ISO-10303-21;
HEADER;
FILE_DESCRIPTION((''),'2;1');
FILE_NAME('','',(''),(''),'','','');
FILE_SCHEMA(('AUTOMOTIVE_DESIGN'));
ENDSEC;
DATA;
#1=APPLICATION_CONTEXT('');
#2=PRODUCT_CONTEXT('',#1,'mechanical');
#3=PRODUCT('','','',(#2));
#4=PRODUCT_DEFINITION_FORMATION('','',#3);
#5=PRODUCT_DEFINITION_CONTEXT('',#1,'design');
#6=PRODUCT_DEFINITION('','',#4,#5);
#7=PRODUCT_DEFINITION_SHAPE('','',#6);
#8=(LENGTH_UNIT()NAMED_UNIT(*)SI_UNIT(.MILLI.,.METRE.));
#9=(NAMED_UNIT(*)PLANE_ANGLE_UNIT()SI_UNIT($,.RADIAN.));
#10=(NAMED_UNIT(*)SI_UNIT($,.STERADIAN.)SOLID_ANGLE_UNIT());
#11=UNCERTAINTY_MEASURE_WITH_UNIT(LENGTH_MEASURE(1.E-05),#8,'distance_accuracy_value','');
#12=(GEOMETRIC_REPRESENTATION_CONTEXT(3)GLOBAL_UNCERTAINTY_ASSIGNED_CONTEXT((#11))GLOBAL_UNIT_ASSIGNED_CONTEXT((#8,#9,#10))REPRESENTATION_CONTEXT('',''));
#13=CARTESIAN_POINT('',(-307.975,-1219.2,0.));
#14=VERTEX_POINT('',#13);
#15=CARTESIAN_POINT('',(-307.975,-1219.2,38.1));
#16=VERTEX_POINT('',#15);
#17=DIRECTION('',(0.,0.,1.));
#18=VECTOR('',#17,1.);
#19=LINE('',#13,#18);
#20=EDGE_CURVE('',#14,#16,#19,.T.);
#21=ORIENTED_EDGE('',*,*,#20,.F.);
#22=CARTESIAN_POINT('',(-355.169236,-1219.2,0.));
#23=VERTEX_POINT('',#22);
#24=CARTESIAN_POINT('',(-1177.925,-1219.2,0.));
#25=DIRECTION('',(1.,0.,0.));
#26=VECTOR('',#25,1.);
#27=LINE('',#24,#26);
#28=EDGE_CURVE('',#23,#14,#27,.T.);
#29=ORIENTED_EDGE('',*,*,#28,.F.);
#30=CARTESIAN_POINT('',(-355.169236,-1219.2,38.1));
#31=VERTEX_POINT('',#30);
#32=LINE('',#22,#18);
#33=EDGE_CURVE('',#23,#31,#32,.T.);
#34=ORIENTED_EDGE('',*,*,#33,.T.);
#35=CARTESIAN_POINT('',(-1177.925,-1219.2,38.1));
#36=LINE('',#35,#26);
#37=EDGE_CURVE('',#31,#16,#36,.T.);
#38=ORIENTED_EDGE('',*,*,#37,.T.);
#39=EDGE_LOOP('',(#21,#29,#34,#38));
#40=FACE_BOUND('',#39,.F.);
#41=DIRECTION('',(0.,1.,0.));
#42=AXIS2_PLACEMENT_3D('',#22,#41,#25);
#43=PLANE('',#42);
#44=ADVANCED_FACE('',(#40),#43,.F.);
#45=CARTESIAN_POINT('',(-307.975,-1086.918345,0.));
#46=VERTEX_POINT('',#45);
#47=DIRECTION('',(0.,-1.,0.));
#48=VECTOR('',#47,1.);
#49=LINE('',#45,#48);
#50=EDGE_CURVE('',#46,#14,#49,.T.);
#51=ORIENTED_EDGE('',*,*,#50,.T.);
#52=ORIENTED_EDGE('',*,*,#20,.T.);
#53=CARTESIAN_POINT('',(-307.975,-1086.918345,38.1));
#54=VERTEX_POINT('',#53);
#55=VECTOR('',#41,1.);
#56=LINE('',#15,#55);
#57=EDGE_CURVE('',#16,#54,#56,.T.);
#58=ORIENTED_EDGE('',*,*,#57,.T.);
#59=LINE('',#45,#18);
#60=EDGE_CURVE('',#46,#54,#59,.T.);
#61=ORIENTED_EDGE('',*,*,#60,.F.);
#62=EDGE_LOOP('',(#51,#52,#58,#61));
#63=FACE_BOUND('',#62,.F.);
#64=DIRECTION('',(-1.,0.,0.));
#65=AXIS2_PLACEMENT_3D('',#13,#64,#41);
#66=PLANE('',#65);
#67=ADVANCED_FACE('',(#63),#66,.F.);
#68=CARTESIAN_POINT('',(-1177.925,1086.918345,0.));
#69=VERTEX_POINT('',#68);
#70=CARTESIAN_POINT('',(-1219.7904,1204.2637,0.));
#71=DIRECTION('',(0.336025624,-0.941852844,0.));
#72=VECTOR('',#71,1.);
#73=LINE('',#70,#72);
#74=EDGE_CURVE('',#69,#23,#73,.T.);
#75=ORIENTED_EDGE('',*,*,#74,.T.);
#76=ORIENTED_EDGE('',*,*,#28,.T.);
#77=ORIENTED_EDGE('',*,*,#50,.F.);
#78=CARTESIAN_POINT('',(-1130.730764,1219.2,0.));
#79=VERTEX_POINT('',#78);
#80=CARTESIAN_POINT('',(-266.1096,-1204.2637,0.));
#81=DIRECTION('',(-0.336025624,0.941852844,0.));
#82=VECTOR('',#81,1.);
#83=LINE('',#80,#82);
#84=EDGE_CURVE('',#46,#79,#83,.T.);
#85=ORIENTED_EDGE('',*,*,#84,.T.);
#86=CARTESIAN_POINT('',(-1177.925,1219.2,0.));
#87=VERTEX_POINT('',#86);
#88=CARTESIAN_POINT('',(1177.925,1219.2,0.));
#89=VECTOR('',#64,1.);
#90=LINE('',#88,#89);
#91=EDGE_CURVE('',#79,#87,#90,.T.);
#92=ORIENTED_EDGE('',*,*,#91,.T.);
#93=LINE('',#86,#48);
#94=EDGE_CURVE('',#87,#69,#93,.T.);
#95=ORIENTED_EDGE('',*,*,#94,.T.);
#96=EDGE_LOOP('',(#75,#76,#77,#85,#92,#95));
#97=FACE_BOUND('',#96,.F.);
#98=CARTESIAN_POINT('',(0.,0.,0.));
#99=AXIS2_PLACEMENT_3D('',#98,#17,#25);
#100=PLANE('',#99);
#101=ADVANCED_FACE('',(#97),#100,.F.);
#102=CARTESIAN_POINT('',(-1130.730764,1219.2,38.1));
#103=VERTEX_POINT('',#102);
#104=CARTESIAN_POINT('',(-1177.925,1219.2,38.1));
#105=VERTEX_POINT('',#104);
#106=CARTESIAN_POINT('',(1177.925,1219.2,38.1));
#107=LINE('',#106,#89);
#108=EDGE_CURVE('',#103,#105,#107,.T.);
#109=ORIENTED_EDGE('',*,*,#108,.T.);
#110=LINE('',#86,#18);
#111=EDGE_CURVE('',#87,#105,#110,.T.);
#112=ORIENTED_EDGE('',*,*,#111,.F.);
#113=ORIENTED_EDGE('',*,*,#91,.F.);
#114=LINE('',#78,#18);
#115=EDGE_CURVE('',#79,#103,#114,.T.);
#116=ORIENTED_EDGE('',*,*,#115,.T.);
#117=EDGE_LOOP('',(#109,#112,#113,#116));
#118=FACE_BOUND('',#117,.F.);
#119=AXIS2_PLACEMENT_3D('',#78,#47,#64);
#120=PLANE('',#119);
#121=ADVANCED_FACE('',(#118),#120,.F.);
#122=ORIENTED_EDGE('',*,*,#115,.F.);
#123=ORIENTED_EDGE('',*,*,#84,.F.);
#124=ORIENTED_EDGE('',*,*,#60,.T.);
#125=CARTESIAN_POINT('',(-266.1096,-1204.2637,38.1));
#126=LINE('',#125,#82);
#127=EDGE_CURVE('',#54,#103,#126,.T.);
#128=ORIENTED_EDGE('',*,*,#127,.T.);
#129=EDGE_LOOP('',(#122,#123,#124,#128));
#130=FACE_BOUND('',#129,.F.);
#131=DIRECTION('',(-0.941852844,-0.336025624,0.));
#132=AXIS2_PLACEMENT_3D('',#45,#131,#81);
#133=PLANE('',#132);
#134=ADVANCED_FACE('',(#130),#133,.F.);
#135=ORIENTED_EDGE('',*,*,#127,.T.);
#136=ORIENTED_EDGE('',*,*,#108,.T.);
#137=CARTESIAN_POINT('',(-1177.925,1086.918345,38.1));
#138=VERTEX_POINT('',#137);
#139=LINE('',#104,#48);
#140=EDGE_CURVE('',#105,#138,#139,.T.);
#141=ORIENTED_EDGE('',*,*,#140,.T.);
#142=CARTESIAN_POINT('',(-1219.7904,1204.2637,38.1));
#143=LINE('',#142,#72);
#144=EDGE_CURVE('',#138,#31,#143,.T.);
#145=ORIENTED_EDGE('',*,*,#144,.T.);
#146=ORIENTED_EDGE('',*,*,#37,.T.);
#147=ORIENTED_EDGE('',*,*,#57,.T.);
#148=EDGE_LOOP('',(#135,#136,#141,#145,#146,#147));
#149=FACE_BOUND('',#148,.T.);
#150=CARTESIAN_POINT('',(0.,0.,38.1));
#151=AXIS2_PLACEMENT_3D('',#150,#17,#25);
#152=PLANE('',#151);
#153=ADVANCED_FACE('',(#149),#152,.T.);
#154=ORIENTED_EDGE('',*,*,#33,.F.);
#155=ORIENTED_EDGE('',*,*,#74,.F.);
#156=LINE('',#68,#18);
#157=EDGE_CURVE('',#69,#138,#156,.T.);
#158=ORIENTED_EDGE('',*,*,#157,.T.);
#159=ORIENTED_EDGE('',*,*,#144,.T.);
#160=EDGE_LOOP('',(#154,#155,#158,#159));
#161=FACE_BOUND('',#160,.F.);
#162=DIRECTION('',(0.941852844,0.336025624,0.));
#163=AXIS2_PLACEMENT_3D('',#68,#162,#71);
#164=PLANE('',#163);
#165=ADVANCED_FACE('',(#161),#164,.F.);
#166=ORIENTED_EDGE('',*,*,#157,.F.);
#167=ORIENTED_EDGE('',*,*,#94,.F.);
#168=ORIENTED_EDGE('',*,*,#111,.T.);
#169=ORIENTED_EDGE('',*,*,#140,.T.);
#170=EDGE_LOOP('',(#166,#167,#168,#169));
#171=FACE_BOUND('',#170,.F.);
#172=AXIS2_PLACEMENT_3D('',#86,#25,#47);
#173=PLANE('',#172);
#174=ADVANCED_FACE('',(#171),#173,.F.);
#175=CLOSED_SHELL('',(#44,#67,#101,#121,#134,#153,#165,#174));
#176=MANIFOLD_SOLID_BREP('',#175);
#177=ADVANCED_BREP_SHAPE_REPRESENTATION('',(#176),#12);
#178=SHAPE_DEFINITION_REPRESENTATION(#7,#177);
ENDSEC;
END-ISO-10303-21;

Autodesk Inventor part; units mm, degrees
ref_plane "YZ Plane" through (0, 0, 0) normal (1, 0, 0) x (0, 1, 0)
ref_plane "XZ Plane" through (0, 0, 0) normal (0, 1, 0) x (-1, 0, 0)
ref_plane "XY Plane" through (0, 0, 0) normal (0, 0, 1) x (1, 0, 0)
sketch "Sketch1" plane through (0, 0, 0) normal (0, 0, 1) x (1, 0, 0)
  line L0 (-1177.925, -1219.2) -> (1177.925, -1219.2)
  line L1 (1177.925, -1219.2) -> (1177.925, 1219.2)
  line L2 (1177.925, 1219.2) -> (-1177.925, 1219.2)
  line L3 (-1177.925, 1219.2) -> (-1177.925, -1219.2)
  line L4 (-1177.925, -1219.2) -> (1177.925, 1219.2) construction
  line L5 (1177.925, -1219.2) -> (-1177.925, 1219.2) construction
  line L6 (-1177.925, -1219.2) -> (-307.975, -1219.2)
  line L7 (-307.975, -1219.2) -> (-307.975, 1219.2)
  line L8 (1177.925, 1219.2) -> (-307.975, -1219.2)
  line L9 (-1177.925, 1219.2) -> (-307.975, -1219.2)
  line L10 (-345.9327, -1196.0695) -> (-270.0173, -1242.3305)
  line L11 (-349.8404, -1234.1363) -> (-266.1096, -1204.2637)
  line L12 (-1219.7904, 1204.2637) -> (-1136.0596, 1234.1363)
  line L13 (1215.8827, 1196.0695) -> (1139.9673, 1242.3305)
  line L14 (1139.9673, 1242.3305) -> (-345.9327, -1196.0695)
  line L15 (-270.0173, -1242.3305) -> (1215.8827, 1196.0695)
  line L16 (-266.1096, -1204.2637) -> (-1136.0596, 1234.1363)
  line L17 (-1219.7904, 1204.2637) -> (-349.8404, -1234.1363)
  point P0 (0, 0)
  point P1 (-307.975, -1086.9184)
  point P2 (-1130.7308, 1219.2)
  point P3 (-1177.925, 1086.9184)
  point P4 (-355.1692, -1219.2)
  point P5 (-307.975, -1219.2)
  point P6 (-307.975, -1133.78)
  dimension "d0" = 2355.85
  dimension "d1" = 2438.4
  dimension "d2" = 869.95
  dimension "d3" = 88.9
  dimension "d4" = 88.9
  dimension "d6" = 88.9
  dimension "d7" = 88.9
extrude "Extrusion1" add sketch "Sketch1" along normal blind 38.1 contours L17 L3 L9 L14 L10 L0 | L9 L14 L7 | L10 L14 L9 | L2 L16 L7 L14 L9
properties part number "S_2x4x101.927"
